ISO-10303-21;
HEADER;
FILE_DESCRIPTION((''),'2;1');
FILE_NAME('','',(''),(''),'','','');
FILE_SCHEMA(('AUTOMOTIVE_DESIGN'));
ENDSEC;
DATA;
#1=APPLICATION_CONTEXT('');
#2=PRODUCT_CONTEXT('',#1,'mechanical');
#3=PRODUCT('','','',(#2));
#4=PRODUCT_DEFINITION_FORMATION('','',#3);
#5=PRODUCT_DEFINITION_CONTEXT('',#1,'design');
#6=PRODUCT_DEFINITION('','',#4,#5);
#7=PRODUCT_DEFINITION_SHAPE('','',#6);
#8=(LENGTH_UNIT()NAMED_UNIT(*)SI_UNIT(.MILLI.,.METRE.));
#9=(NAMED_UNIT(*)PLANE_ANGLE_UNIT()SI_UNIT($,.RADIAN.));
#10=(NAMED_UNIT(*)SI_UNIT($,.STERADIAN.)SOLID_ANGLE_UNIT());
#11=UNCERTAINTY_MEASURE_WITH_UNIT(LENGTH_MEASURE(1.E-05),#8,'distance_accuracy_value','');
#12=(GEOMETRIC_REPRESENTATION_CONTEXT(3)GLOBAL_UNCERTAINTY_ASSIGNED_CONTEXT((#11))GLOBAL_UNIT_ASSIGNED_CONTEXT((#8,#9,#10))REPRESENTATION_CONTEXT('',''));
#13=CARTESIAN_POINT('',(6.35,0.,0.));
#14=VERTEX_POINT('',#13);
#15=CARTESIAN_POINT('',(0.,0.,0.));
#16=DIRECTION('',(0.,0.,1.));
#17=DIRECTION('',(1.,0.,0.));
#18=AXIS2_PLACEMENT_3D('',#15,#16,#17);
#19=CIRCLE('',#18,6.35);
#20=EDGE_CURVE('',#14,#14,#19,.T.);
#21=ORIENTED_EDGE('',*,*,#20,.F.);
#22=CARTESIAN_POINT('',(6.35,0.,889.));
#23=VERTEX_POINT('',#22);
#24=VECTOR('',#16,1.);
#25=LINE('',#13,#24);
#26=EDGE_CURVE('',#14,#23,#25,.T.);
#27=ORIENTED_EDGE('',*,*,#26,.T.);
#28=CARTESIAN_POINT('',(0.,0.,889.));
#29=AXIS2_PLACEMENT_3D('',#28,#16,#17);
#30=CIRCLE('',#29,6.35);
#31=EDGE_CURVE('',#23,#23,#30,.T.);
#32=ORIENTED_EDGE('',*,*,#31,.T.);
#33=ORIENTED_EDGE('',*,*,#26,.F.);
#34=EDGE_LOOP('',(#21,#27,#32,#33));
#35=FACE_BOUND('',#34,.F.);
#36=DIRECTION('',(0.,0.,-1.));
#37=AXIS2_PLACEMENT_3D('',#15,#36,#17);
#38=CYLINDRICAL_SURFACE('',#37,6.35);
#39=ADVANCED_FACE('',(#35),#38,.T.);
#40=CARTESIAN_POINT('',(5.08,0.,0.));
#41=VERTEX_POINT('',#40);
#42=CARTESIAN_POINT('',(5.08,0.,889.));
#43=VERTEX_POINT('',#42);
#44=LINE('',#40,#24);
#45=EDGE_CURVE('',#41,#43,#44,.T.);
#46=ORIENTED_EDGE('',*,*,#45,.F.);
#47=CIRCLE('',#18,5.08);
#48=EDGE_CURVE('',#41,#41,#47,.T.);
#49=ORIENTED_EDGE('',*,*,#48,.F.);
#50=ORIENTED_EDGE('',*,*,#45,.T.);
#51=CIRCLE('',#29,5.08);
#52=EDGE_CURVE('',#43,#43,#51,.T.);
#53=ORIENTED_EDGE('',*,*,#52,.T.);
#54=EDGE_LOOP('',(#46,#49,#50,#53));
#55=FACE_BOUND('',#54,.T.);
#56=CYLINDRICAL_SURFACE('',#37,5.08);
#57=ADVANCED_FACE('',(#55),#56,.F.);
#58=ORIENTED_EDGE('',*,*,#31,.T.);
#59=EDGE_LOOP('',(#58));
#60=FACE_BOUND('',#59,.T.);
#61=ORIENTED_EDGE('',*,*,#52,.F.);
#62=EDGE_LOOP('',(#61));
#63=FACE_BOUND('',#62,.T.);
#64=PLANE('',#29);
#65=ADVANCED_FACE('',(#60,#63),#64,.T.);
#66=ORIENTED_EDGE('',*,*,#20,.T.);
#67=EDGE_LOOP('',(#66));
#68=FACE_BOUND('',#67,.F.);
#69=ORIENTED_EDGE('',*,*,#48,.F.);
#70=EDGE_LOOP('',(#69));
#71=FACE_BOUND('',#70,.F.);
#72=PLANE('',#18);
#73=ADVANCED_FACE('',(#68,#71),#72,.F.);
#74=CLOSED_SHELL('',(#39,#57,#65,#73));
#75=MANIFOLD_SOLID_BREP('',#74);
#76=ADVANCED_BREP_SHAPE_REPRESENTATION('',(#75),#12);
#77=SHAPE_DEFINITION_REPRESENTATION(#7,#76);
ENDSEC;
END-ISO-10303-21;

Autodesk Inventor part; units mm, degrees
ref_plane "YZ Plane" through (0, 0, 0) normal (1, 0, 0) x (0, 1, 0)
ref_plane "XZ Plane" through (0, 0, 0) normal (0, 1, 0) x (-1, 0, 0)
ref_plane "XY Plane" through (0, 0, 0) normal (0, 0, 1) x (1, 0, 0)
sketch "Sketch1" plane through (0, 0, 0) normal (0, 0, 1) x (1, 0, 0)
  circle A0 centre (0, 0) radius 6.35
  circle A1 centre (0, 0) radius 5.08
  dimension "d0" = 12.7
  dimension "d1" = 10.16
extrude "Extrusion1" add sketch "Sketch1" along normal blind 889
properties part number "Pipe Overlay"
